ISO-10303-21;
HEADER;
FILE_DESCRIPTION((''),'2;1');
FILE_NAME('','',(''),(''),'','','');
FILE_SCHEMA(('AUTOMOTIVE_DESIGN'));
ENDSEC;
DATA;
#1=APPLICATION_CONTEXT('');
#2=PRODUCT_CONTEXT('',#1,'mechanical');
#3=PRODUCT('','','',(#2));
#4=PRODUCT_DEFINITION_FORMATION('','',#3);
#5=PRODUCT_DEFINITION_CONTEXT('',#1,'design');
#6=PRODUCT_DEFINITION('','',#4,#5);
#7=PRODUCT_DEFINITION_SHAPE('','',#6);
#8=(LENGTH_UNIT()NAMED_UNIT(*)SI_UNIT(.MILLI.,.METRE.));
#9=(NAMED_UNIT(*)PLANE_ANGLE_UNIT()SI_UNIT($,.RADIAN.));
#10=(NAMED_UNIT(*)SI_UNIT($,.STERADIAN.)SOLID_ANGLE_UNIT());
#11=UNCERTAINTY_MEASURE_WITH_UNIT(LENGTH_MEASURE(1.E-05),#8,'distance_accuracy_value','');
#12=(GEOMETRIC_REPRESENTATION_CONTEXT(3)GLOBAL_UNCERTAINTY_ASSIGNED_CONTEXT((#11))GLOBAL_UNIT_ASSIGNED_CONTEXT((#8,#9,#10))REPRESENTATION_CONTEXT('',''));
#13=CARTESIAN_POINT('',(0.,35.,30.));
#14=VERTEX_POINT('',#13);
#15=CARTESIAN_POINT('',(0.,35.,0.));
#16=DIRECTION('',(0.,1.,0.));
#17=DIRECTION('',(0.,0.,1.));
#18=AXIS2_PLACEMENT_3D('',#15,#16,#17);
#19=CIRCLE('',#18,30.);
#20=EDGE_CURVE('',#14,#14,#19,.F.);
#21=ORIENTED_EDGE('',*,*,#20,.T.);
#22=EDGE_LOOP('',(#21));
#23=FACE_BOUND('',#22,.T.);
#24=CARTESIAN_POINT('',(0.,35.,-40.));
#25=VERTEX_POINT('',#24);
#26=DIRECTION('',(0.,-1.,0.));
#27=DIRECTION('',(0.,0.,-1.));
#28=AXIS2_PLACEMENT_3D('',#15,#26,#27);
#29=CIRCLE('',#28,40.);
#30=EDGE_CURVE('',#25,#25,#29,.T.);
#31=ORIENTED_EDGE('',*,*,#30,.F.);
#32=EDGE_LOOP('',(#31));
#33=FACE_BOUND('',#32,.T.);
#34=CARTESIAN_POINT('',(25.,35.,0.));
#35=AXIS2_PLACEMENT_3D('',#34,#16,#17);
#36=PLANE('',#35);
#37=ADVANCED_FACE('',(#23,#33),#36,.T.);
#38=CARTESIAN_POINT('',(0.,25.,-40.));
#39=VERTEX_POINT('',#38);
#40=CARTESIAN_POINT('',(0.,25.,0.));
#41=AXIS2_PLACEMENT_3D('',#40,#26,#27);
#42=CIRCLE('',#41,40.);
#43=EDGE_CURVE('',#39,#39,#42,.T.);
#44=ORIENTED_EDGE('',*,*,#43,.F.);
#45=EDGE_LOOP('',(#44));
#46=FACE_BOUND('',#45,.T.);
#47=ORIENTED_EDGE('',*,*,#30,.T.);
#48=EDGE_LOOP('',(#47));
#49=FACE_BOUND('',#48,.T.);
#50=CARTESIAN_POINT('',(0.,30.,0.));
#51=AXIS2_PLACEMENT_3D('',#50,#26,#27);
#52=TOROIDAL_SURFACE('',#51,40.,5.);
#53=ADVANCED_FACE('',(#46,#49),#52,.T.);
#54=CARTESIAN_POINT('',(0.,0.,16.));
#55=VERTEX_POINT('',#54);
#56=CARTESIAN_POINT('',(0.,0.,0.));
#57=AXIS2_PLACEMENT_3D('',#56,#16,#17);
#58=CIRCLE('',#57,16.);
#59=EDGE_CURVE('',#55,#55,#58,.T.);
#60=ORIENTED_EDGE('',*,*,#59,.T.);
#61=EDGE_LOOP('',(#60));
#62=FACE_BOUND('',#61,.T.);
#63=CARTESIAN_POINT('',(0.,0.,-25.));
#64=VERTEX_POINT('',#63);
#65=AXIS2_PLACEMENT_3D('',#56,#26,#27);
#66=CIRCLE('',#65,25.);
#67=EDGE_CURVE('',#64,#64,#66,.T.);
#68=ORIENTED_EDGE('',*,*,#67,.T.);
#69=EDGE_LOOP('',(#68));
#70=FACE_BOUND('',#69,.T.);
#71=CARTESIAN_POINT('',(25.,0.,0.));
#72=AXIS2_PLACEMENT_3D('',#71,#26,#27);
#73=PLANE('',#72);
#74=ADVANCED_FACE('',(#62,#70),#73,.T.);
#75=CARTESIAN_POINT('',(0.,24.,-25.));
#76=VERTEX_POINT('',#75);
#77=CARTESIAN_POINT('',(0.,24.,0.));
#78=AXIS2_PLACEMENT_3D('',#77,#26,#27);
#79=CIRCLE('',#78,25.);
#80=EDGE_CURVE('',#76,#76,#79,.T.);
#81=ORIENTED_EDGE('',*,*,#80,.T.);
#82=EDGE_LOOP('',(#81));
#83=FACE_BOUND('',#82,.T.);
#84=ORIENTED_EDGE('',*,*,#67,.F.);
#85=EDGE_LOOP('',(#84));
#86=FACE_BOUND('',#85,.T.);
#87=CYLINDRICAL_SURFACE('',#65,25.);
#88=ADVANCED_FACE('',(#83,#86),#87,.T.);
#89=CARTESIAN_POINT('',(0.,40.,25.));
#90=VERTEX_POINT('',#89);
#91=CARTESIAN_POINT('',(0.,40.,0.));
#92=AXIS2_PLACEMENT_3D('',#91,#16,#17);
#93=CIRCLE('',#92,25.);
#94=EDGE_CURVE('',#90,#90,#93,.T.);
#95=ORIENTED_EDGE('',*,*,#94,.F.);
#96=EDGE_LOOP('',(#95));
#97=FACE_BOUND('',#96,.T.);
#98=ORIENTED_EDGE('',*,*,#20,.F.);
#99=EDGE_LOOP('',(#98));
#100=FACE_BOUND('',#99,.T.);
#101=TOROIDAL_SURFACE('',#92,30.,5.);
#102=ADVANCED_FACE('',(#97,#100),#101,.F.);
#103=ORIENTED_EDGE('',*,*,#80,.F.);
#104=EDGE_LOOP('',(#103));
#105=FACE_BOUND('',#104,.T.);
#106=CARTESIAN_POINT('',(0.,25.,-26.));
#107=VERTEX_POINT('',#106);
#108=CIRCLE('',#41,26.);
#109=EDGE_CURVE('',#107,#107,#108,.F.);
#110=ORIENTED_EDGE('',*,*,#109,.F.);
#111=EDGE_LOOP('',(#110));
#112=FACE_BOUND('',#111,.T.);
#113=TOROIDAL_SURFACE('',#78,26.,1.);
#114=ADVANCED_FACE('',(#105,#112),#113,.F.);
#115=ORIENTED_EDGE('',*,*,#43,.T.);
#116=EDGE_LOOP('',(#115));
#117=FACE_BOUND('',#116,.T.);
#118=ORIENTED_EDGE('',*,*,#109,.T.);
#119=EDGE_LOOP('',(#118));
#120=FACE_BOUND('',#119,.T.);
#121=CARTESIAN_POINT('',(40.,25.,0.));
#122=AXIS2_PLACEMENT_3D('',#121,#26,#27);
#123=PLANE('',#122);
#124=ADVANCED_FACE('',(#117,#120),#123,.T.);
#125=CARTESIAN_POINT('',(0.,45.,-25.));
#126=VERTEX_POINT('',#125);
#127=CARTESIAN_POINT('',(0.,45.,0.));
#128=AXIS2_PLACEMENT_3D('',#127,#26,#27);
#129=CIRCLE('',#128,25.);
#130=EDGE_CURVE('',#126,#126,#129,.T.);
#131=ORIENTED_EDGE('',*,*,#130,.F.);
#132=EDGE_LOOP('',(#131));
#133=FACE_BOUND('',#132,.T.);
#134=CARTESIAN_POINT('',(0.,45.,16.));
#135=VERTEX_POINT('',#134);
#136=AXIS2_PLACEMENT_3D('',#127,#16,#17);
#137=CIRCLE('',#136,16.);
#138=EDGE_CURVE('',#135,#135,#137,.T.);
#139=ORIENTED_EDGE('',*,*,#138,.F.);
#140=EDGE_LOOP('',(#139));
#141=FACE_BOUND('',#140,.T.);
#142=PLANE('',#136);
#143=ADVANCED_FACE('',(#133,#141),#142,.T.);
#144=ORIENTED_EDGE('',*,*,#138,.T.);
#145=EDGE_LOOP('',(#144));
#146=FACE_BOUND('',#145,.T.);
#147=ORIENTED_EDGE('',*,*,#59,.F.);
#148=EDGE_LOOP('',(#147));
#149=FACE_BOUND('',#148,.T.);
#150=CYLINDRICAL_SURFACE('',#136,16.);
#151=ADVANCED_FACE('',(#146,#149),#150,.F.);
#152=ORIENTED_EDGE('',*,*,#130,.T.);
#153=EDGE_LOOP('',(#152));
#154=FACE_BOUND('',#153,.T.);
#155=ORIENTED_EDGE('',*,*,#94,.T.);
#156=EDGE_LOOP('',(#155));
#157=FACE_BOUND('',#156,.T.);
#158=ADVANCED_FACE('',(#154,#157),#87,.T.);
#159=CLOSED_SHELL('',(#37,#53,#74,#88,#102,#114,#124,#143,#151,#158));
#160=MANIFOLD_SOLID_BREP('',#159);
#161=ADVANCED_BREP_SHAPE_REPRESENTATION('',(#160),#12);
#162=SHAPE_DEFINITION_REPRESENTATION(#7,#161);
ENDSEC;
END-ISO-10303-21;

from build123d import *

# Parameters (mm, degrees)
M36_TAPPED_HOLE1_D = 32
FILLET1_R          = 5
FILLET2_R          = 1


with BuildPart() as part:
    # Sketch1 → Revolve1 (revolve)
    with BuildSketch(Plane.XY, mode=Mode.PRIVATE) as revolve1_sk:
        with BuildLine():
            Line((0, 0), (0, 45))
            Line((0, 45), (25, 45))
            Line((25, 45), (25, 35))
            Line((25, 35), (40, 35))
            ThreePointArc((40, 35), (45, 30), (40, 25))
            Line((40, 25), (25, 25))
            Line((25, 25), (25, 0))
            Line((25, 0), (0, 0))
        make_face()
    revolve(revolve1_sk.sketch.rotate(Axis((0, 0, 0), (0, 1, 0)), 90), axis=Axis((0, 0, 0), (0, 1, 0)))

    # M36 Tapped Hole1 (through all)
    with Locations(Plane.ZX.offset(45)):
        with Locations((0, 0)):
            Hole(M36_TAPPED_HOLE1_D / 2)

    # Fillet1
    fillet1_edges = [part.edges().sort_by_distance(p)[0] for p in [
        (0, 35, 25),
    ]]
    fillet(fillet1_edges, radius=FILLET1_R)

    # Fillet2
    fillet2_edges = [part.edges().sort_by_distance(p)[0] for p in [
        (0, 25, 25),
    ]]
    fillet(fillet2_edges, radius=FILLET2_R)


solid = part.part
